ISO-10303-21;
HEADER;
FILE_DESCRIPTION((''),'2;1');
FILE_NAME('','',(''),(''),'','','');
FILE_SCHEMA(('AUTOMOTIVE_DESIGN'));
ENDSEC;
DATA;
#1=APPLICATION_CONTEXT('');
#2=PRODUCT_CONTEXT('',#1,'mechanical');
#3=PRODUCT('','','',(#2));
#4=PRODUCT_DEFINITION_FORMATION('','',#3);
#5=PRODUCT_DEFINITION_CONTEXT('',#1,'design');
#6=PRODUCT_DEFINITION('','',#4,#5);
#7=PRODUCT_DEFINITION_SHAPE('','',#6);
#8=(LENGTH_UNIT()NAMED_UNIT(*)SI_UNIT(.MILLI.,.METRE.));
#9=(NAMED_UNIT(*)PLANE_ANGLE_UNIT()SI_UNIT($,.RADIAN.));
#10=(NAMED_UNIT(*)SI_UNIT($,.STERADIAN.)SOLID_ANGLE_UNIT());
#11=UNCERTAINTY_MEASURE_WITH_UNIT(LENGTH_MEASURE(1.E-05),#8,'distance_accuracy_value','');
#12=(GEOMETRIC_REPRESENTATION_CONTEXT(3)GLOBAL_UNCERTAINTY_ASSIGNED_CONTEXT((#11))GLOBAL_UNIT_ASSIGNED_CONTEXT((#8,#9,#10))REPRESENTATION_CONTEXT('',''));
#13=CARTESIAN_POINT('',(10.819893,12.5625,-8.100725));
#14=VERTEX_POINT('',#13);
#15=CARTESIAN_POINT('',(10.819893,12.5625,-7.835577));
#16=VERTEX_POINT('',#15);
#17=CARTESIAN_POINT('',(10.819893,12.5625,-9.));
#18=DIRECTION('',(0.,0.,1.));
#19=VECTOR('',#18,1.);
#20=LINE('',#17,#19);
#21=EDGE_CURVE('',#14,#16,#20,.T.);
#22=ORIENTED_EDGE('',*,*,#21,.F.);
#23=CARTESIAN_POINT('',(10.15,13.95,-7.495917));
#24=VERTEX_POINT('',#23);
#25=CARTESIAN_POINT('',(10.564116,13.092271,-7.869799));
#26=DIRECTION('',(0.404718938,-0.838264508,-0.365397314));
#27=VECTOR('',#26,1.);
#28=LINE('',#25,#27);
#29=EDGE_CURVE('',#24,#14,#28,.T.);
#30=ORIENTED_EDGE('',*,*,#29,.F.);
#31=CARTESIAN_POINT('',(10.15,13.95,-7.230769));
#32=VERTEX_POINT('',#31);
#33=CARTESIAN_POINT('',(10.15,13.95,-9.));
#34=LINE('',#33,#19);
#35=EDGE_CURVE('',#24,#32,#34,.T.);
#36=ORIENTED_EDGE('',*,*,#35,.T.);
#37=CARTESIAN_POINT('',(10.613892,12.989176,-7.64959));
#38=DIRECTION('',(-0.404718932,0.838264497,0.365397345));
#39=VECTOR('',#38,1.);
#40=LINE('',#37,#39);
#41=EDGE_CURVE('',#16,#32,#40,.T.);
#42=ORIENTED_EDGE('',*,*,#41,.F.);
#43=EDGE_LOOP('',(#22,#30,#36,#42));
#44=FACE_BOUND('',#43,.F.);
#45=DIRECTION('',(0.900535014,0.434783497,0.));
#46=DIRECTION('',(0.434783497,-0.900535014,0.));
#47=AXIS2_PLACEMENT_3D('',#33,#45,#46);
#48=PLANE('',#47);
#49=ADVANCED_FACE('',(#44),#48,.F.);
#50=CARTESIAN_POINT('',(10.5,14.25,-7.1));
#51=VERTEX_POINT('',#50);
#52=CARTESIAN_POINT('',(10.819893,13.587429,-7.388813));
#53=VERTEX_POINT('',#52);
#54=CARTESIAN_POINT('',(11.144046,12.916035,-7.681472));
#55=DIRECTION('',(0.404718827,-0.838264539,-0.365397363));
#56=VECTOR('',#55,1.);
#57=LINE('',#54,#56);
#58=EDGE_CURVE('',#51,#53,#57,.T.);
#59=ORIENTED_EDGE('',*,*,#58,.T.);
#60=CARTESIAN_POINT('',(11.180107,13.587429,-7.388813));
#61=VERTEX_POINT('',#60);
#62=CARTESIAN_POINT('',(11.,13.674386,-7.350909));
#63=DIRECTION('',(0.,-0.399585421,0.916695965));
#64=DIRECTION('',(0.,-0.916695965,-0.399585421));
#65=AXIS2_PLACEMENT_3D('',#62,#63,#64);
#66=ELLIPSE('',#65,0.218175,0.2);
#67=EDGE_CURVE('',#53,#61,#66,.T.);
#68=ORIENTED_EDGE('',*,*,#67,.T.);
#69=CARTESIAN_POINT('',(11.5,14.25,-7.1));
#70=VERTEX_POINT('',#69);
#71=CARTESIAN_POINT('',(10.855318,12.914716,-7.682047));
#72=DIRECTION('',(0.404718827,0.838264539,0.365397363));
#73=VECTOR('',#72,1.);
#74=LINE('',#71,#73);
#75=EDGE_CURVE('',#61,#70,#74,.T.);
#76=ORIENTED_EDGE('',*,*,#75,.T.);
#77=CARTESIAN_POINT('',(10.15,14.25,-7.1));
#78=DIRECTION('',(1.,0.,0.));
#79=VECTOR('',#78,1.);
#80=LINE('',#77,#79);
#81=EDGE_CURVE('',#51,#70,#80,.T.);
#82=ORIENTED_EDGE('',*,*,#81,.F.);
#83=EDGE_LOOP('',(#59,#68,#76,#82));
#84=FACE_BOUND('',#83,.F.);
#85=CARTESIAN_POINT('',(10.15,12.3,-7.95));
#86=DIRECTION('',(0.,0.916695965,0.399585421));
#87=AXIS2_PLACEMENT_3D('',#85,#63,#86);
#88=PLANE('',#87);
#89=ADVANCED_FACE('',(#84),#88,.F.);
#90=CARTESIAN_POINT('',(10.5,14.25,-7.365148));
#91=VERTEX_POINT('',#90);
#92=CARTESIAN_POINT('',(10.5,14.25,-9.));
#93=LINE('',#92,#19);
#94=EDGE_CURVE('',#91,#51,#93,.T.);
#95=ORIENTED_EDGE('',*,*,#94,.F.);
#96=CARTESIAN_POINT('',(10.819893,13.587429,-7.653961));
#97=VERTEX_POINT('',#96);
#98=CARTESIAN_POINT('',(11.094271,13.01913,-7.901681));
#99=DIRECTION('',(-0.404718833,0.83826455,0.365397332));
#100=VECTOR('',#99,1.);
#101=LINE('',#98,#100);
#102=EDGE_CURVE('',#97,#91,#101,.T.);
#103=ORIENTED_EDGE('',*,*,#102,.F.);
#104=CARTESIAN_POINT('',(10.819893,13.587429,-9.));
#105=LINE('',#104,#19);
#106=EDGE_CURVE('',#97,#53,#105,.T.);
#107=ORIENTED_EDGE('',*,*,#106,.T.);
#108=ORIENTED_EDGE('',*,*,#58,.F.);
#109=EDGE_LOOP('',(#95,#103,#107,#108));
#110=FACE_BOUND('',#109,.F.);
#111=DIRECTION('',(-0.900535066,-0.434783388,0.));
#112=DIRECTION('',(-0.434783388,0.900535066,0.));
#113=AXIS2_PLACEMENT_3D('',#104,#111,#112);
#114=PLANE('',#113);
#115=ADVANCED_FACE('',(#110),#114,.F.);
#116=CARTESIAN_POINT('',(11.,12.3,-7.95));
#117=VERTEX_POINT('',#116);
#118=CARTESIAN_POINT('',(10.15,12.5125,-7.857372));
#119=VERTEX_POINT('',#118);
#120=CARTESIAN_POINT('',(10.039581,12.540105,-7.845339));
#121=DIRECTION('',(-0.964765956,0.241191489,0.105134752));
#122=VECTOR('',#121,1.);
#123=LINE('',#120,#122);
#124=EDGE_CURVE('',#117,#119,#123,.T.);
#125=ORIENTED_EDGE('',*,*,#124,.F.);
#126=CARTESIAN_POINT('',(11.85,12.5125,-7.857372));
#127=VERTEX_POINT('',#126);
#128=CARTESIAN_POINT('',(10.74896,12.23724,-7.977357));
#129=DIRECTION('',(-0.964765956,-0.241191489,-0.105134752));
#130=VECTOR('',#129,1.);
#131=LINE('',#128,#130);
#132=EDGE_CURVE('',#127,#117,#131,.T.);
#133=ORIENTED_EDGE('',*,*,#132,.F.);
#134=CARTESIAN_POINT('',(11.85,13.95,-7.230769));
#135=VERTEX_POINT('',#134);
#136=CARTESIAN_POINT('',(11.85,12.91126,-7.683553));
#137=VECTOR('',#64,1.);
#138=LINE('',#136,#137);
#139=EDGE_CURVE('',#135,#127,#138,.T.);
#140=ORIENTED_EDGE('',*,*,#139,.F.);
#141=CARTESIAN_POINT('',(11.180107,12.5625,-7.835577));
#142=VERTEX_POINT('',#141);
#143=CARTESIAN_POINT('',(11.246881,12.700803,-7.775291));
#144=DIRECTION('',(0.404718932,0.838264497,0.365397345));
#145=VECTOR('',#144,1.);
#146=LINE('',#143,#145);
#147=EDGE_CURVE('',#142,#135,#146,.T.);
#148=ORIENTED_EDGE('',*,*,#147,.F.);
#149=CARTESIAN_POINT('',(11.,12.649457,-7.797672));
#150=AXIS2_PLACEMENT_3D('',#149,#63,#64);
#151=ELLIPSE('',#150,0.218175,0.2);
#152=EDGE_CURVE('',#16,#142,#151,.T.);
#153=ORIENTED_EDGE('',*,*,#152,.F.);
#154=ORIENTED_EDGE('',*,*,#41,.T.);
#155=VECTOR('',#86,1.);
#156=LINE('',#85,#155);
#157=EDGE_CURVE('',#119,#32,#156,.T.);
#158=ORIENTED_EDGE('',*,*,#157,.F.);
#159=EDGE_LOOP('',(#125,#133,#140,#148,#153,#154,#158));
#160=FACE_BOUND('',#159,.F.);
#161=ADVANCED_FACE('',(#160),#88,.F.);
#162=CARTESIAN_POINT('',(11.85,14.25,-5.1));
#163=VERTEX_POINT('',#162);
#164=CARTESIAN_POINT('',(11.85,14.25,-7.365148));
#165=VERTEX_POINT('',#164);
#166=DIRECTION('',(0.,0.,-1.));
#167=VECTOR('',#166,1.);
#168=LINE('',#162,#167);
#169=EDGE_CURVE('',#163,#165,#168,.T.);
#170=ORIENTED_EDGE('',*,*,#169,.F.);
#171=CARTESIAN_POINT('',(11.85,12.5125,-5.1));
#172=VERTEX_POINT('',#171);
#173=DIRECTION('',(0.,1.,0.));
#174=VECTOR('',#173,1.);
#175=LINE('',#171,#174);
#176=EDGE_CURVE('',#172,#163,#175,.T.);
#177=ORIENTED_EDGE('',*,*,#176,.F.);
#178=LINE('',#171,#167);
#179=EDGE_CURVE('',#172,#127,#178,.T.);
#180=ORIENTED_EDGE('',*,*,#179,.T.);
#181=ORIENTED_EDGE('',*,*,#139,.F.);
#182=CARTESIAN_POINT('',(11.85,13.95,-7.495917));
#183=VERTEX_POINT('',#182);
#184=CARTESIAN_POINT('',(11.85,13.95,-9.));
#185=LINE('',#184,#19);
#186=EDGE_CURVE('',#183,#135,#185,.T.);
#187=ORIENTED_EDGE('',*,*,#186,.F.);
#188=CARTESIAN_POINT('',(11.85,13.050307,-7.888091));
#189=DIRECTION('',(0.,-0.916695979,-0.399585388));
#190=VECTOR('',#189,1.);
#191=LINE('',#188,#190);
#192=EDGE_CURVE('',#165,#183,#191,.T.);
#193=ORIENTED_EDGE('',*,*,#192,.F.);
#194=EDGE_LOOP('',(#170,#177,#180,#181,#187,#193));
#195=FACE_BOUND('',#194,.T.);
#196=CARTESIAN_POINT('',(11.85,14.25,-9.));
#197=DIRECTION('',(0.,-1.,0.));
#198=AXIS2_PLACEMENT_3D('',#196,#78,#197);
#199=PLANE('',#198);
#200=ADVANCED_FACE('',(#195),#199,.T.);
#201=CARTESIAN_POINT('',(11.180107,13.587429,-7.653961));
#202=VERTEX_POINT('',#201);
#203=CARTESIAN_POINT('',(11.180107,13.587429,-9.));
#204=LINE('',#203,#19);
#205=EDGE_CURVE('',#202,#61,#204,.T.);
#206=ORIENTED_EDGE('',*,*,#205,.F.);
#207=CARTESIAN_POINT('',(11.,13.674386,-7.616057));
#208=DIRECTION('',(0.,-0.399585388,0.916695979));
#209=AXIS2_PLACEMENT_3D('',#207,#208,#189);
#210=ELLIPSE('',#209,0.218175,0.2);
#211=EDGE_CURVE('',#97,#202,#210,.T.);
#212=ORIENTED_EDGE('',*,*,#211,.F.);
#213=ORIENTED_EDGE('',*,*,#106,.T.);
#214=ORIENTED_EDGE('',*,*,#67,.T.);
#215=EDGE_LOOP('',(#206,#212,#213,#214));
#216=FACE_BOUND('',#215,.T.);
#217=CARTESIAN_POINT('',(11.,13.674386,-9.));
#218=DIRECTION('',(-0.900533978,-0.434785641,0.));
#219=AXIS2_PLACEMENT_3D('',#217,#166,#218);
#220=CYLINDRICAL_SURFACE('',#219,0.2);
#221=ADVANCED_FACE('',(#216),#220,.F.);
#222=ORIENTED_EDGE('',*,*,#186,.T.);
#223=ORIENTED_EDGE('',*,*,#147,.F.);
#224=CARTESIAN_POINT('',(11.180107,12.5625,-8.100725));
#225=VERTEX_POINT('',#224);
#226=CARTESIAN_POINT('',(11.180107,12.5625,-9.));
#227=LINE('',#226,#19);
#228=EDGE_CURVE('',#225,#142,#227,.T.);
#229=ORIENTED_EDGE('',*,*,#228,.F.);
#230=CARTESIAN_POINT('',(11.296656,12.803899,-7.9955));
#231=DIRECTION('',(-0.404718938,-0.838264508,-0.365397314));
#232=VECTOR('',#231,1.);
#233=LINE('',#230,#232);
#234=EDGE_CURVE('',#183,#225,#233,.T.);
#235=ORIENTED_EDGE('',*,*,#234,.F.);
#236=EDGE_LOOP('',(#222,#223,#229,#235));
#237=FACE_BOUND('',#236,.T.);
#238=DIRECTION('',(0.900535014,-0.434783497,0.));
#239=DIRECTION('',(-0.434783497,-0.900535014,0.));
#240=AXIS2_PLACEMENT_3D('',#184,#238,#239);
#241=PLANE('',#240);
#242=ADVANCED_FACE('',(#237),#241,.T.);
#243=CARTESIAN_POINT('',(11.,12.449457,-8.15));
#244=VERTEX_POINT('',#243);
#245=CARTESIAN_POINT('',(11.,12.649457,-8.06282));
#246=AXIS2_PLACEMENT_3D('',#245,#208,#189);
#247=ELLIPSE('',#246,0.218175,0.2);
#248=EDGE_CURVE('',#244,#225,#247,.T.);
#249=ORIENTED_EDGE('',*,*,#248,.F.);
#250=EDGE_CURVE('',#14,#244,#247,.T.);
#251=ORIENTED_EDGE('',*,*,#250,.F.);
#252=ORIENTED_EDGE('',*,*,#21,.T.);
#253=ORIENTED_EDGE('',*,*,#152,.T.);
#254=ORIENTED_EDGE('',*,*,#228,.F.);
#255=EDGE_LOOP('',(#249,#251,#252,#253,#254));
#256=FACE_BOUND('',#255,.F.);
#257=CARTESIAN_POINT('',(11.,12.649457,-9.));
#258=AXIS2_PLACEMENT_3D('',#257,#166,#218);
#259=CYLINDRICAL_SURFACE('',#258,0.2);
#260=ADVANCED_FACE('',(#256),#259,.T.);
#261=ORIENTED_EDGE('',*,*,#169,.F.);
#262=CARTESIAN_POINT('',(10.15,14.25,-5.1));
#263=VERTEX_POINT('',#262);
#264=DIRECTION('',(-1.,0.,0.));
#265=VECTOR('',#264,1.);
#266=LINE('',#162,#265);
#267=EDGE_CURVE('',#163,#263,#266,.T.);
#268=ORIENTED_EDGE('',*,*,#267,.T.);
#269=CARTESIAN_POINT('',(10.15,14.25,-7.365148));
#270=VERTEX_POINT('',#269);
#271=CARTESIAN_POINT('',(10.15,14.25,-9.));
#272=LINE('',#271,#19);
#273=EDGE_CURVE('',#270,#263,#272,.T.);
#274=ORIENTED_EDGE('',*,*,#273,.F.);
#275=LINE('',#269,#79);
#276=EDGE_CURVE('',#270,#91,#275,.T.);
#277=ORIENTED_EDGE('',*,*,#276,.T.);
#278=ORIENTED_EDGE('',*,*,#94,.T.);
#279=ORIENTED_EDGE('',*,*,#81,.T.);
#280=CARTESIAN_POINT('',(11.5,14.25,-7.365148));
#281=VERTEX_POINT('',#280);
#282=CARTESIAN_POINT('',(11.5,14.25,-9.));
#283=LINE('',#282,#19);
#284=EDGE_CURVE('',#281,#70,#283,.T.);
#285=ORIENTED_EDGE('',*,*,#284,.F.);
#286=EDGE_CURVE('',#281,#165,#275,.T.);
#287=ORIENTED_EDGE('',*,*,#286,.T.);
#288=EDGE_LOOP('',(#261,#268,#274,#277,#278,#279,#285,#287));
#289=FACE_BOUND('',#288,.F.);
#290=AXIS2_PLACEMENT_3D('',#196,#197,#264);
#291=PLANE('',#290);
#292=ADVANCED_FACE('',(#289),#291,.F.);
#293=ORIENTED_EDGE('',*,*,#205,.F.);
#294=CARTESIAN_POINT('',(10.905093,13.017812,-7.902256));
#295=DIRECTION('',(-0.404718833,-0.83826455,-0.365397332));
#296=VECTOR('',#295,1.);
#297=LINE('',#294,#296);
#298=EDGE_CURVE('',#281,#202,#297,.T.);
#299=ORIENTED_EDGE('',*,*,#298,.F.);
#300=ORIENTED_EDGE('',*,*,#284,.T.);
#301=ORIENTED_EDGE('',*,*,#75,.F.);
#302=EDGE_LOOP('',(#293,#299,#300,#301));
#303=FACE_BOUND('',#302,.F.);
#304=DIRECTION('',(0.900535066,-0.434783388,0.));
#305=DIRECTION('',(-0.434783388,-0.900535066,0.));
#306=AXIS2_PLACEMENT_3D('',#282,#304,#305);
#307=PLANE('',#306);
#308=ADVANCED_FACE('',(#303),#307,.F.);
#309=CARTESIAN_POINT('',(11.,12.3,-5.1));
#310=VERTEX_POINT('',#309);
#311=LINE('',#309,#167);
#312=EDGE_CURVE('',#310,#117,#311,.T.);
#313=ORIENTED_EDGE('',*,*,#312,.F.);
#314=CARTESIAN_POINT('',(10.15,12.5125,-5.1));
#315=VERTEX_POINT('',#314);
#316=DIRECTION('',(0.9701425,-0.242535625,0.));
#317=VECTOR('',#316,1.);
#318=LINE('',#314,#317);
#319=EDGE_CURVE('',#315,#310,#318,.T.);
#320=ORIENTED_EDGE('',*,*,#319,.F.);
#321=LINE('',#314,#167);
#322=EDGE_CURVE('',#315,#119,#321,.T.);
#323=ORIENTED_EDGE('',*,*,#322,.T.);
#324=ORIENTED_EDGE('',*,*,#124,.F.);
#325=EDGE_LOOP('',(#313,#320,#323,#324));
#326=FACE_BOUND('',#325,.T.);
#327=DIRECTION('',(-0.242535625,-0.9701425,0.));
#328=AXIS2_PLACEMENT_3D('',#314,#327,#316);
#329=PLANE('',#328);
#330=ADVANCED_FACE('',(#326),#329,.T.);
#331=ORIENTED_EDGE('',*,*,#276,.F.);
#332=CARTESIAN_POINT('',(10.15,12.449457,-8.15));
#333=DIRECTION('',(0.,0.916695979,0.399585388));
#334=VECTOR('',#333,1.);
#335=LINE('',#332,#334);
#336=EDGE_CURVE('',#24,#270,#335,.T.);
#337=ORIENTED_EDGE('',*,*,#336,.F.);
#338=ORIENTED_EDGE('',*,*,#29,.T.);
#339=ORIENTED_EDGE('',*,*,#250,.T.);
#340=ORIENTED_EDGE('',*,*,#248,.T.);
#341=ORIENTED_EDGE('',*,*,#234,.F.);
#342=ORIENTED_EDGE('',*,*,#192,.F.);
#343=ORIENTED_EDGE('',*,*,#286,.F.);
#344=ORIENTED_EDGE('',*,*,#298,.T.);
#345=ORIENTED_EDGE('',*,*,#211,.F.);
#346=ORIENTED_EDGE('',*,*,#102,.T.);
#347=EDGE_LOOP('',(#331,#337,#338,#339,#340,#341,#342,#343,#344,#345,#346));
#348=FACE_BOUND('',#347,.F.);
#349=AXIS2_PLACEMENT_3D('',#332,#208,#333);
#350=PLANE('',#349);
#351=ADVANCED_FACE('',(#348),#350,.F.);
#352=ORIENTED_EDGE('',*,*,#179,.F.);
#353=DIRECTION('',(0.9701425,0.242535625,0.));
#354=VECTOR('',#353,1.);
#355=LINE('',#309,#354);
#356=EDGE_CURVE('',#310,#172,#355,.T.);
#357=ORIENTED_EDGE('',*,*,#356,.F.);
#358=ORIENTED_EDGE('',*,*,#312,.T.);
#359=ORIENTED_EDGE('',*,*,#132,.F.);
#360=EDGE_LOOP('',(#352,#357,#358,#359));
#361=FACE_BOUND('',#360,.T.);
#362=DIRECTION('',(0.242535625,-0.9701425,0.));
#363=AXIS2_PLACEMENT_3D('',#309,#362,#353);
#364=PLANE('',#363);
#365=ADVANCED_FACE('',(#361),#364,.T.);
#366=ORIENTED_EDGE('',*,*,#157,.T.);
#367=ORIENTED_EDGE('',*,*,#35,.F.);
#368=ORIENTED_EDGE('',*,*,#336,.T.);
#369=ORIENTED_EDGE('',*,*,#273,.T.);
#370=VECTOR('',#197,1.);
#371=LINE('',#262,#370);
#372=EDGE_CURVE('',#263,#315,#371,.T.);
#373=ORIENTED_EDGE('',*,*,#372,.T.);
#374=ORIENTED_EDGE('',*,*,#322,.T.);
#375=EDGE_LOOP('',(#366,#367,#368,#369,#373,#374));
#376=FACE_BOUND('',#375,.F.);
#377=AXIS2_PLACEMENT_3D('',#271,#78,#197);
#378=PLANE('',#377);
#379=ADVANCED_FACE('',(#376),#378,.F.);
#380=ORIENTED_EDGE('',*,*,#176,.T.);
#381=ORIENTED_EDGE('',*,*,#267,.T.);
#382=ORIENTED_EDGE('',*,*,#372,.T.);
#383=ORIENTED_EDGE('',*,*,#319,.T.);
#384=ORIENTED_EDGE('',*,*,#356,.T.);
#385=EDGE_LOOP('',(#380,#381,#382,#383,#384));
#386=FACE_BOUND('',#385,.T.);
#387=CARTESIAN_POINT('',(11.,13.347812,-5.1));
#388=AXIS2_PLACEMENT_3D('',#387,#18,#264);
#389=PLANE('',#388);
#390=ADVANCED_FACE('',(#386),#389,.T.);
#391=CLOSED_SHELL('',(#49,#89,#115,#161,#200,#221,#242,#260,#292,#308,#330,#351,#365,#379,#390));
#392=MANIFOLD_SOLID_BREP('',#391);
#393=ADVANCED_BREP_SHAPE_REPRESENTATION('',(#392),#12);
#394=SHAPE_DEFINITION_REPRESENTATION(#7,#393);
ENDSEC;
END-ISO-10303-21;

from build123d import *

# Parameters (mm, degrees)
PAD103_DEPTH    = 3
POCKET009_DEPTH = 5
PAD104_DEPTH    = 2
POCKET010_DEPTH = 5


with BuildPart() as part:
    # Sketch130 (on Face1 of Binder) → Pad103 (new body)
    with BuildSketch(Plane(origin=(0, 0, -5.1), x_dir=(1, 0, 0), z_dir=(0, 0, -1))):
        Polygon((11.85, -14.25), (10.15, -14.25), (10.15, -12.5125), (11, -12.3), (11.85, -12.5125), align=None)
    extrude(amount=PAD103_DEPTH)

    # Sketch131 (on Face2 of Pad103) → Pocket009 (cut)
    with BuildSketch(Plane(origin=(10.15, 0, 0), x_dir=(0, -1, 0), z_dir=(-1, 0, 0))):
        Polygon((-14.25, -7.1), (-14.25, -8.1), (-12.3, -8.1), (-12.3, -7.95), align=None)
    extrude(amount=-POCKET009_DEPTH, mode=Mode.SUBTRACT)

    # Sketch132 → Pad104 (join)
    with BuildSketch(Plane.XY.offset(-9)):
        with BuildLine():
            Line((11.85, 14.25), (11.5, 14.25))
            Line((11.5, 14.25), (11.180107, 13.587429))
            ThreePointArc((10.819893, 13.587429), (11, 13.474386), (11.180107, 13.587429))
            Line((10.819893, 13.587429), (10.5, 14.25))
            Line((10.5, 14.25), (10.15, 14.25))
            Line((10.15, 14.25), (10.15, 13.95))
            Line((10.15, 13.95), (10.819893, 12.5625))
            ThreePointArc((10.819893, 12.5625), (11, 12.449457), (11.180107, 12.5625))
            Line((11.85, 13.95), (11.180107, 12.5625))
            Line((11.85, 14.25), (11.85, 13.95))
        make_face()
    extrude(amount=PAD104_DEPTH)

    # Sketch133 (on Face14 of Pad104) → Pocket010 (cut)
    with BuildSketch(Plane(origin=(10.15, 0, 0), x_dir=(0, -1, 0), z_dir=(-1, 0, 0))):
        Polygon((-12.449457, -9), (-12.449457, -8.15), (-14.25, -7.365148), (-14.25, -9), align=None)
    extrude(amount=-POCKET010_DEPTH, mode=Mode.SUBTRACT)


solid = part.part
